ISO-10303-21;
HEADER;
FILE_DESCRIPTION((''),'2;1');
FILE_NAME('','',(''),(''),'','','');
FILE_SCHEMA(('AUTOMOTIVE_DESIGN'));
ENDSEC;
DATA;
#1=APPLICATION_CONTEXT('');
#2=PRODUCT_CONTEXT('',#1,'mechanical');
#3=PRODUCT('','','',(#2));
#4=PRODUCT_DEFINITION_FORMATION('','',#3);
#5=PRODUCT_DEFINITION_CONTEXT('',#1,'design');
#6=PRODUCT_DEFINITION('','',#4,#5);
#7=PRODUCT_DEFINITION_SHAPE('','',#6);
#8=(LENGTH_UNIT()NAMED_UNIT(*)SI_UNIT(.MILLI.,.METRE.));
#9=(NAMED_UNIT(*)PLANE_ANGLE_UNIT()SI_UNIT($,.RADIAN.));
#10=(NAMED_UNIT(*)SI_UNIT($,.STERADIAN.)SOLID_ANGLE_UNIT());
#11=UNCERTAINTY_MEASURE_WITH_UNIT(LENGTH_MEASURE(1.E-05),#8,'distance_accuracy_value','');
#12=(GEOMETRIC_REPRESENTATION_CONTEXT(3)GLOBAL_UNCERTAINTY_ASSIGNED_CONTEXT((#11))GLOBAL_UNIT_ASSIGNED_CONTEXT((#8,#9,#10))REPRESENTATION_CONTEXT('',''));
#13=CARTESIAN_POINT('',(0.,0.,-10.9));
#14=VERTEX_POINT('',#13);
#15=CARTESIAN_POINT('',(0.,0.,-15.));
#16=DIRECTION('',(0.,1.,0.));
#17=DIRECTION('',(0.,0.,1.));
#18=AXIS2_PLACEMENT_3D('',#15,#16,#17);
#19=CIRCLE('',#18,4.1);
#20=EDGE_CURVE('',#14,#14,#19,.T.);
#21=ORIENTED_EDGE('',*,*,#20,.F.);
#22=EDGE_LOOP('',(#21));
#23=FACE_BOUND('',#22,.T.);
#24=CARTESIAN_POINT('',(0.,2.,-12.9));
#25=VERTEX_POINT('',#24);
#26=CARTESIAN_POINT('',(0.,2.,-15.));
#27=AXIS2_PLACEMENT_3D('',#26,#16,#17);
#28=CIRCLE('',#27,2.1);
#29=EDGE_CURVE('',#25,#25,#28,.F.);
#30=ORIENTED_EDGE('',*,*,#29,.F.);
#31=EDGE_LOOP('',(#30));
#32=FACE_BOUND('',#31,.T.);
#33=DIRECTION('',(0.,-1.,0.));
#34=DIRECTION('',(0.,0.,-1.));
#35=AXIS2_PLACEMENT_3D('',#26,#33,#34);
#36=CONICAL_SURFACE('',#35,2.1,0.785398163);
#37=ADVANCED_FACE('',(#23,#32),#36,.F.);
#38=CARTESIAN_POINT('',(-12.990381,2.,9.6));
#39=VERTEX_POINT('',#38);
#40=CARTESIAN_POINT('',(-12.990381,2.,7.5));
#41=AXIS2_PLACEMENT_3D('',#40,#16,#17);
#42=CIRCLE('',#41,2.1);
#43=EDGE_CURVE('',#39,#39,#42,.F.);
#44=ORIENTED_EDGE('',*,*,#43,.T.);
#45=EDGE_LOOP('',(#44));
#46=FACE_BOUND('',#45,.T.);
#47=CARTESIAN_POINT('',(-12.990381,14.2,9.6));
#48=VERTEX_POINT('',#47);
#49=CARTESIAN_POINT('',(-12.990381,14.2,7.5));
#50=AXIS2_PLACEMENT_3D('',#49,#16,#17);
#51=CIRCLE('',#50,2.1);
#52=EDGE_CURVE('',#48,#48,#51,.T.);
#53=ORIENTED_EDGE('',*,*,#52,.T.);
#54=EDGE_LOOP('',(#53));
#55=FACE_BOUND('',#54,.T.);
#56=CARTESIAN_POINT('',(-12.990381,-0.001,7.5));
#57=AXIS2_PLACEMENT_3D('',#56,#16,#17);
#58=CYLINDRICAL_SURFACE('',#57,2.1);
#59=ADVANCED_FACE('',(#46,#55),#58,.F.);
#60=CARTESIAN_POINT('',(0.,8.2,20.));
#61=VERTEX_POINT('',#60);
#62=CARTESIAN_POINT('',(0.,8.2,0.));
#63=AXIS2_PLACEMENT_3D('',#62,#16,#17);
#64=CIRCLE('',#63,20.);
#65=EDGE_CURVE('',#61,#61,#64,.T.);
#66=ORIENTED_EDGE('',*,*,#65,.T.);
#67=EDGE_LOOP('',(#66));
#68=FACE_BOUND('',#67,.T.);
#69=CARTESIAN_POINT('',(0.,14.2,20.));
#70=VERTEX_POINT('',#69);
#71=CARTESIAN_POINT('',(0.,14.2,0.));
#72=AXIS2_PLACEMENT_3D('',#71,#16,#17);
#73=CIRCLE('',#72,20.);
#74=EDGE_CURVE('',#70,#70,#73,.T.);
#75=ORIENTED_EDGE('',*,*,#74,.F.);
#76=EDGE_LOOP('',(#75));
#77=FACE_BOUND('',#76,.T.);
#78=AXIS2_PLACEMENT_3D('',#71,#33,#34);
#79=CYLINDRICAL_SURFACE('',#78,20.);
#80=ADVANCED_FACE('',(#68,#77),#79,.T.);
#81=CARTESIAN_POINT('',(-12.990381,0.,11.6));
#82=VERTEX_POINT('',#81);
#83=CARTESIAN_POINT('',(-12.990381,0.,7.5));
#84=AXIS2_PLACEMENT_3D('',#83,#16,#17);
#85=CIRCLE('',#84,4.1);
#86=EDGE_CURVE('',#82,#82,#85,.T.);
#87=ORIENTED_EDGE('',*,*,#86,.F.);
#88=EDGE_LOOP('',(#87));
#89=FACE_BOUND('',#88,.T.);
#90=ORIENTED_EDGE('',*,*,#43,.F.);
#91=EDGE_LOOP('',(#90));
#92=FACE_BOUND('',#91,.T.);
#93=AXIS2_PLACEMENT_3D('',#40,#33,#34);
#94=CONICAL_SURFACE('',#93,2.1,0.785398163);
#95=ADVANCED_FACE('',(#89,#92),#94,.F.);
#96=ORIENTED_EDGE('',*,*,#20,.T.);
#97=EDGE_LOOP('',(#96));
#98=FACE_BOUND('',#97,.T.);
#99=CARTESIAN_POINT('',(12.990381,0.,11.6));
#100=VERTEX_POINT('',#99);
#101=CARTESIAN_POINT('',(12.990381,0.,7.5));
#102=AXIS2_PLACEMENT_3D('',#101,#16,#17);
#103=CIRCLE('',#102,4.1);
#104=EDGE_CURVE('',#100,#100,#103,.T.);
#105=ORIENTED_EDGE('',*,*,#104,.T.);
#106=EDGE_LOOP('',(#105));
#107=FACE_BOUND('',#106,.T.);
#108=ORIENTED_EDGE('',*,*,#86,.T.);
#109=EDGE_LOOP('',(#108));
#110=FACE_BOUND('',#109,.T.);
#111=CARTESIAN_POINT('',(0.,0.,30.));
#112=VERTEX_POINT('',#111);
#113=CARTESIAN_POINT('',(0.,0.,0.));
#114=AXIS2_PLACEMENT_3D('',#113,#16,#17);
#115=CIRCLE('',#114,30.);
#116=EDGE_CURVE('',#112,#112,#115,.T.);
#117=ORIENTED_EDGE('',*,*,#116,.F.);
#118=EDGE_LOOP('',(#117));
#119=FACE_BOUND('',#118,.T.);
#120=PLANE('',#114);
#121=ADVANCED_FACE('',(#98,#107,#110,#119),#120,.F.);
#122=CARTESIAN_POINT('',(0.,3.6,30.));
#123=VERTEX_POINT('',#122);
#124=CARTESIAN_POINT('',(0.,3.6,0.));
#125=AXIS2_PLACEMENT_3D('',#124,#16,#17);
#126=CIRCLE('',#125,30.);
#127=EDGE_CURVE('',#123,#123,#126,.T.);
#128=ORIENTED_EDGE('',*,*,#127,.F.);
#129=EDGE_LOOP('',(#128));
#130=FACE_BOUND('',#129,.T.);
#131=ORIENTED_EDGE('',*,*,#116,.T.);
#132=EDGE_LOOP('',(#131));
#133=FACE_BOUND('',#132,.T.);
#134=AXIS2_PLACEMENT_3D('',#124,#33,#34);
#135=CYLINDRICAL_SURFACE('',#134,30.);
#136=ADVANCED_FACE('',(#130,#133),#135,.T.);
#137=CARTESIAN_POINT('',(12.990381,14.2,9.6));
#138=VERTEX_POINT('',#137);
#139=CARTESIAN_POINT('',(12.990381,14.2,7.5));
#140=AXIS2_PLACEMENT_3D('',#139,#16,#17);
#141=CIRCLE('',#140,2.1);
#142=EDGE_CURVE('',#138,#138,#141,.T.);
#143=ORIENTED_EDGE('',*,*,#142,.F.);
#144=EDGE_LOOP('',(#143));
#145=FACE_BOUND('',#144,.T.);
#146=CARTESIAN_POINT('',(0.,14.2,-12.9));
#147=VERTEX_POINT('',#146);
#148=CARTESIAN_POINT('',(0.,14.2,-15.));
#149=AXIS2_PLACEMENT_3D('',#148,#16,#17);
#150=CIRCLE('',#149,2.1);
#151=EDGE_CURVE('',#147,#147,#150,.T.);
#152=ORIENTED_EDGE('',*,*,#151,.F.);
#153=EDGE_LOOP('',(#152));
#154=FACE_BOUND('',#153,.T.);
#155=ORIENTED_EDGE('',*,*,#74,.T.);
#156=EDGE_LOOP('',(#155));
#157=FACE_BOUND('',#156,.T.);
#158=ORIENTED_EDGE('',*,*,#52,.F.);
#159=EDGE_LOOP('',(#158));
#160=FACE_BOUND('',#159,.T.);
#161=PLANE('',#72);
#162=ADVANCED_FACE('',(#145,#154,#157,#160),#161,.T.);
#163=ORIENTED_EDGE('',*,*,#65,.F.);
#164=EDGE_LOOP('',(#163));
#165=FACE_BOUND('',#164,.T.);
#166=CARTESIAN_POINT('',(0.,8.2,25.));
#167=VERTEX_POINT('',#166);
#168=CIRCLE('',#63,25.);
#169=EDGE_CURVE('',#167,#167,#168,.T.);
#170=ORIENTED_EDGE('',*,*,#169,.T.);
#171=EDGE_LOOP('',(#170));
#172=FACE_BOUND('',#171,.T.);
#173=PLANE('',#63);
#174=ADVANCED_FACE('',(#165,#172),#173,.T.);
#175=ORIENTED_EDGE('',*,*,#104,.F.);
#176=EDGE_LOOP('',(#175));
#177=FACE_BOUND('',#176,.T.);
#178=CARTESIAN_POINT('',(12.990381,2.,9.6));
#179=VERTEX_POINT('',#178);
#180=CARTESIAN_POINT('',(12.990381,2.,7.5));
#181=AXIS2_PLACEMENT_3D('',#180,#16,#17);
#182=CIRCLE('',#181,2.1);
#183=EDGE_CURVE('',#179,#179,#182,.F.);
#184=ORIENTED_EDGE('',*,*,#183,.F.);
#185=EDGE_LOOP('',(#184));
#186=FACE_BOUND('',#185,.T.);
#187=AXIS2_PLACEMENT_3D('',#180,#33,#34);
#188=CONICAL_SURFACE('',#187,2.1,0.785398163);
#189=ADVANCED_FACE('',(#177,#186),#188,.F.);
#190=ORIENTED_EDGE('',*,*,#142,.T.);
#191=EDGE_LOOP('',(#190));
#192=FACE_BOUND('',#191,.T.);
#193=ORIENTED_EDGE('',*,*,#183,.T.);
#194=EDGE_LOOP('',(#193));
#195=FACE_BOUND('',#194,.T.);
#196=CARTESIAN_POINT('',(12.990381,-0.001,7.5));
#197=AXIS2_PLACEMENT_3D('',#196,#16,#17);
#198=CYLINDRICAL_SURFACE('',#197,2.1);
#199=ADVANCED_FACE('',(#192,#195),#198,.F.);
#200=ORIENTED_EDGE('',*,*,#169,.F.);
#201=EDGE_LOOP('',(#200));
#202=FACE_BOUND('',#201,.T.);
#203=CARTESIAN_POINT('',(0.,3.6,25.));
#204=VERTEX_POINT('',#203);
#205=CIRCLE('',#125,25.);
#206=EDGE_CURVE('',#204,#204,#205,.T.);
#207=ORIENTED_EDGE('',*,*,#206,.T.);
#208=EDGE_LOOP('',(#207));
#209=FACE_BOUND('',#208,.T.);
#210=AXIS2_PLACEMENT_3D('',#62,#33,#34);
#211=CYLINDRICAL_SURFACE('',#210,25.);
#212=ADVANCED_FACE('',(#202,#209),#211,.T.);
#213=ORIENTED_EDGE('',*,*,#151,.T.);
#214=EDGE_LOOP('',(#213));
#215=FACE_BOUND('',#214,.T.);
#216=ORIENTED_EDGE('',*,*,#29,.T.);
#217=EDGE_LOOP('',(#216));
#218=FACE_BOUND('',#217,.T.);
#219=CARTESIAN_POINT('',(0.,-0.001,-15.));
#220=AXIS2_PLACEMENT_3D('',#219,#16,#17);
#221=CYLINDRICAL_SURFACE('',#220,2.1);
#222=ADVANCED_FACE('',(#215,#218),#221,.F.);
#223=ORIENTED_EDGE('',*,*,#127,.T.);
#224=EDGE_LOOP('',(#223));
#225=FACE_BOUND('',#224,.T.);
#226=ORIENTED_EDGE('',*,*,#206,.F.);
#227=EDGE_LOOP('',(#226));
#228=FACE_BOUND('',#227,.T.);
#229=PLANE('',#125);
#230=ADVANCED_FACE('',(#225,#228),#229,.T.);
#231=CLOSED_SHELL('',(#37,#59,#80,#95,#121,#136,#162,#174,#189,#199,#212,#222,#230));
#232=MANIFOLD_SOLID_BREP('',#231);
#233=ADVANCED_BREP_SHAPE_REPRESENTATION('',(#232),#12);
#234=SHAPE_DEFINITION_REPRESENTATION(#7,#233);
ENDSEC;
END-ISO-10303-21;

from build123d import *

# Parameters (mm, degrees)
SKETCH1_R           = 30
BOSS_EXTRUDE1_DEPTH = 3.6
SKETCH2_R           = 25
BOSS_EXTRUDE2_DEPTH = 4.6
SKETCH3_R           = 20
BOSS_EXTRUDE3_DEPTH = 6
CUT_EXTRUDE1_REACH  = 46.74
SKETCH4_R           = 2.1
CHAMFER1_SIZE       = 2


with BuildPart() as part:
    # Sketch1 → Boss-Extrude1 (new body)
    with BuildSketch(Plane(origin=(0, 0, 0), x_dir=(1, 0, 0), z_dir=(0, 1, 0))):
        with Locations(Location((0, 0, 0), (0, 0, 270))):
            Circle(SKETCH1_R)
    extrude(amount=BOSS_EXTRUDE1_DEPTH)

    # Sketch2 → Boss-Extrude2 (add)
    with BuildSketch(Plane(origin=(0, 3.6, 0), x_dir=(1, 0, 0), z_dir=(0, 1, 0))):
        with Locations(Location((0, 0, 0), (0, 0, 270))):
            Circle(SKETCH2_R)
    extrude(amount=BOSS_EXTRUDE2_DEPTH)

    # Sketch3 → Boss-Extrude3 (add)
    with BuildSketch(Plane(origin=(0, 8.2, 0), x_dir=(1, 0, 0), z_dir=(0, 1, 0))):
        with Locations(Location((0, 0, 0), (0, 0, 270))):
            Circle(SKETCH3_R)
    extrude(amount=BOSS_EXTRUDE3_DEPTH)

    # Sketch4 → Cut-Extrude1 (cut, up to next)
    with BuildSketch(Plane(origin=(0, 14.2, 0), x_dir=(1, 0, 0), z_dir=(0, 1, 0)), mode=Mode.PRIVATE) as cut_extrude1_sk1:
        with Locations(Location((0, 15, 0), (0, 0, 270))):
            Circle(SKETCH4_R)
    cut_extrude1_tool1 = extrude(cut_extrude1_sk1.sketch, amount=-CUT_EXTRUDE1_REACH, mode=Mode.PRIVATE) & part.part
    # Sketch4 → Cut-Extrude1 (cut, up to next)
    with BuildSketch(Plane(origin=(0, 14.2, 0), x_dir=(1, 0, 0), z_dir=(0, 1, 0)), mode=Mode.PRIVATE) as cut_extrude1_sk2:
        with Locations(Location((12.990381057, -7.5, 0), (0, 0, 270))):
            Circle(SKETCH4_R)
    cut_extrude1_tool2 = extrude(cut_extrude1_sk2.sketch, amount=-CUT_EXTRUDE1_REACH, mode=Mode.PRIVATE) & part.part
    # Sketch4 → Cut-Extrude1 (cut, up to next)
    with BuildSketch(Plane(origin=(0, 14.2, 0), x_dir=(1, 0, 0), z_dir=(0, 1, 0)), mode=Mode.PRIVATE) as cut_extrude1_sk3:
        with Locations(Location((-12.990381057, -7.5, 0), (0, 0, 270))):
            Circle(SKETCH4_R)
    cut_extrude1_tool3 = extrude(cut_extrude1_sk3.sketch, amount=-CUT_EXTRUDE1_REACH, mode=Mode.PRIVATE) & part.part
    add(cut_extrude1_tool1.solids().sort_by_distance((0, 14.2, -15))[0], mode=Mode.SUBTRACT)
    add(cut_extrude1_tool2.solids().sort_by_distance((12.990381, 14.2, 7.5))[0], mode=Mode.SUBTRACT)
    add(cut_extrude1_tool3.solids().sort_by_distance((-12.990381, 14.2, 7.5))[0], mode=Mode.SUBTRACT)

    # Chamfer1
    chamfer1_edges = [part.edges().sort_by_distance(p)[0] for p in [
        (0, 0, -17.1),
        (12.990381057, 0, 5.4),
        (-12.990381057, 0, 5.4),
    ]]
    chamfer(chamfer1_edges, length=CHAMFER1_SIZE)


solid = part.part
